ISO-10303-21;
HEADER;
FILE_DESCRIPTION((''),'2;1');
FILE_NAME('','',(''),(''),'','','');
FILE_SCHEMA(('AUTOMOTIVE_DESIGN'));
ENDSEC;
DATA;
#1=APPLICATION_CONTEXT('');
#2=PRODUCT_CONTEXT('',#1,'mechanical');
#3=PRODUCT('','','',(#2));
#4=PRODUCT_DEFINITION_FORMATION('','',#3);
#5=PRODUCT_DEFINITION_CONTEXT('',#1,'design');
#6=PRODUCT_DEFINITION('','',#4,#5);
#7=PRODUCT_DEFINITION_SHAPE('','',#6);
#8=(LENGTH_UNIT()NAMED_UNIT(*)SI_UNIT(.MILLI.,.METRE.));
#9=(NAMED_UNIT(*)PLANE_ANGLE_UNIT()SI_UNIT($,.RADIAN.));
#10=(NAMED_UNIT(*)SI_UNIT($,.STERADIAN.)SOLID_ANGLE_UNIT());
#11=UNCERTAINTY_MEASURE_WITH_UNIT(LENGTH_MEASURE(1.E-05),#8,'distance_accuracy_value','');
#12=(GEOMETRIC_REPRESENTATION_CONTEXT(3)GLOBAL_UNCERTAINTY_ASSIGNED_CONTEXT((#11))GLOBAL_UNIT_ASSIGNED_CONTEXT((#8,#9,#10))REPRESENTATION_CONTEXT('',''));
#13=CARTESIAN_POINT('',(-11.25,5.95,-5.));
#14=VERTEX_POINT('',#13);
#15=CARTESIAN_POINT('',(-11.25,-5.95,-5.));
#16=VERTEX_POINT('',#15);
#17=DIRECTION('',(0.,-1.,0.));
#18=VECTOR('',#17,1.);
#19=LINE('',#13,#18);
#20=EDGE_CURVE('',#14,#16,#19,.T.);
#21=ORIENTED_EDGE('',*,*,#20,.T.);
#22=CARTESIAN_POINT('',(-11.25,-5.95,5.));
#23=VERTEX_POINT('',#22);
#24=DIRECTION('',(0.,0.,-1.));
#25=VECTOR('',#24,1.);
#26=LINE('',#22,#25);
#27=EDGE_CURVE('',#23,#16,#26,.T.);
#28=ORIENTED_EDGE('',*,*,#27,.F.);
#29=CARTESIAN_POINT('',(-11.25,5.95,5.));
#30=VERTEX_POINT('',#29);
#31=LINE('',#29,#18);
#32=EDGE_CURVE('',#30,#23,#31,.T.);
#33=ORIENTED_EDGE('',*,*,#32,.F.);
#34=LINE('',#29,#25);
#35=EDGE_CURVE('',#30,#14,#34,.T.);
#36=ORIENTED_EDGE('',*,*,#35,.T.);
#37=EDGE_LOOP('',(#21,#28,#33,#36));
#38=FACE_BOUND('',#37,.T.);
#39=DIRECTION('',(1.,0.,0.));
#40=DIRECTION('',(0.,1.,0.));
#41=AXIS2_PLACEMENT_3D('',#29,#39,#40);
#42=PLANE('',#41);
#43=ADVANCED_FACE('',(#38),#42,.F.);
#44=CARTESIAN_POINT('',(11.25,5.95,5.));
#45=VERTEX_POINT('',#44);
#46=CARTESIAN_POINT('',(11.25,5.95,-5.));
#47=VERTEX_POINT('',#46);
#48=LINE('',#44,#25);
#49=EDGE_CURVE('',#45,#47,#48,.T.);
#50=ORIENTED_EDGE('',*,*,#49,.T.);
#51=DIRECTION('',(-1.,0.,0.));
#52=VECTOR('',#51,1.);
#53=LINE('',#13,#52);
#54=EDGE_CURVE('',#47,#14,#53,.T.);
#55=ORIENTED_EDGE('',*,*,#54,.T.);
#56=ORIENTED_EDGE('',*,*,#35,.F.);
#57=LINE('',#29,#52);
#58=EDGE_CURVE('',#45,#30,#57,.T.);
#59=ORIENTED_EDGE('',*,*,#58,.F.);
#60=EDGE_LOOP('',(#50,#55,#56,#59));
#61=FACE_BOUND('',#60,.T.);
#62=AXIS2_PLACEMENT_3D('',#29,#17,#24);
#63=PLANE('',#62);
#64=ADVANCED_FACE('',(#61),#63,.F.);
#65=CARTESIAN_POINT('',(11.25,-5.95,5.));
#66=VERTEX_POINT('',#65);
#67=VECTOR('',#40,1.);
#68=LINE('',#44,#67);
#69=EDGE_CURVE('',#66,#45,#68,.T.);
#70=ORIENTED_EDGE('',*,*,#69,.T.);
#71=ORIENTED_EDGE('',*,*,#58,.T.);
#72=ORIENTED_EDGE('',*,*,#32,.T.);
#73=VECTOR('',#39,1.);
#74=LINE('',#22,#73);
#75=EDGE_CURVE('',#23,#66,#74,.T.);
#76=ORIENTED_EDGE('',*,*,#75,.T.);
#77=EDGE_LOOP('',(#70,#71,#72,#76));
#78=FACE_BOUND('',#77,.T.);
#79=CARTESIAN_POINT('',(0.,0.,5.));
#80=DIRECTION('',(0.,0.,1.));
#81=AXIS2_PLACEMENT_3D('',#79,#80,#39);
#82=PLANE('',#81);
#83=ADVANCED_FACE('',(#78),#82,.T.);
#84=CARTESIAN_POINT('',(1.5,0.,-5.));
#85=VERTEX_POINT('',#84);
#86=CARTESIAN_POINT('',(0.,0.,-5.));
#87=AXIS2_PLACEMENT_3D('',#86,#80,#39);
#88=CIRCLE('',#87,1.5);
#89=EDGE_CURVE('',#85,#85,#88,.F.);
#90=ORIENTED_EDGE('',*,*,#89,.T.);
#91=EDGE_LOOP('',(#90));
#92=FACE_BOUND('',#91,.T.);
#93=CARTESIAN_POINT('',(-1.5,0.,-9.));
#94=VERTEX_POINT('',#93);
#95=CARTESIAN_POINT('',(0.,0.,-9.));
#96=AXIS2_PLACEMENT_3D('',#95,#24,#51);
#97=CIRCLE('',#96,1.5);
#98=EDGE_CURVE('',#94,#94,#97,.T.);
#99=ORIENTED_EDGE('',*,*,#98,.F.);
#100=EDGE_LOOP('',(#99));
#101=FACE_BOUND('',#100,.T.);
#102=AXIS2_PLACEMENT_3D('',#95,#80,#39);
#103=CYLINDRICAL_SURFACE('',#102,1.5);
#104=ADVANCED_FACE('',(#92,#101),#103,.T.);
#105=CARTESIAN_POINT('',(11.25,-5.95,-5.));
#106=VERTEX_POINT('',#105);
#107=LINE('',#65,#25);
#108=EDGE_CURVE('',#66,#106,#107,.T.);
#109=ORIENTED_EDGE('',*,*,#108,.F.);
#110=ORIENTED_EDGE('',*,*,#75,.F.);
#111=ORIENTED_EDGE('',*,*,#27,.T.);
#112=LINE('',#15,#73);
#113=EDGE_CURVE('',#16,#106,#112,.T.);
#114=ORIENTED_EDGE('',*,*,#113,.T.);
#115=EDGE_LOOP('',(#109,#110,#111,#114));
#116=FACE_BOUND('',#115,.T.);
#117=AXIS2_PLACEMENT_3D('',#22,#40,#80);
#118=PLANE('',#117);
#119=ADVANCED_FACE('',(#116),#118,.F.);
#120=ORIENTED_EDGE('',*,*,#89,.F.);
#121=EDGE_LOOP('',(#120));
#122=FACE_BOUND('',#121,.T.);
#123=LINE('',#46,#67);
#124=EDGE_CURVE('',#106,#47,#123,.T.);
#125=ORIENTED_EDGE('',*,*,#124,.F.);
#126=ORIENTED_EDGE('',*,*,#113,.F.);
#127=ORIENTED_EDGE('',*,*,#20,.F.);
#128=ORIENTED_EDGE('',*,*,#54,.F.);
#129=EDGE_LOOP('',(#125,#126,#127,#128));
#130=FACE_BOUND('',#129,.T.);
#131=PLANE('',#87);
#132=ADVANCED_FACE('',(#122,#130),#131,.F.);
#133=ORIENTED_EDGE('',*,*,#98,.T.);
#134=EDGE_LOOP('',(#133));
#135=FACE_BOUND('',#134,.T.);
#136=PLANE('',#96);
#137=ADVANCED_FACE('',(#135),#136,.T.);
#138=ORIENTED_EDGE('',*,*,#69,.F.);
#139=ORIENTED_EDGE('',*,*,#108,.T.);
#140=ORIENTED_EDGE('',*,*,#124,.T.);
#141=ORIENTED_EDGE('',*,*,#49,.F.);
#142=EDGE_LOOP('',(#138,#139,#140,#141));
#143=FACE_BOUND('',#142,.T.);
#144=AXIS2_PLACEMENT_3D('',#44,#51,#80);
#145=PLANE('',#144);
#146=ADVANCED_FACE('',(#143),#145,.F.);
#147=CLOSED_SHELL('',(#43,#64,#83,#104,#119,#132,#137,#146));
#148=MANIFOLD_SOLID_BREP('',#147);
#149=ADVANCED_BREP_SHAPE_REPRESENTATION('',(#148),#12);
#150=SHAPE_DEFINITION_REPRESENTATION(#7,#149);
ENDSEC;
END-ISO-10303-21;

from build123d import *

# Parameters (mm, degrees)
SKETCH1_W           = 22.5
SKETCH1_H           = 11.9
BOSS_EXTRUDE1_DEPTH = 5
SKETCH2_R           = 1.5
BOSS_EXTRUDE2_DEPTH = 4


with BuildPart() as part:
    # Sketch1 → Boss-Extrude1 (new body, symmetric)
    with BuildSketch(Plane.XY):
        Rectangle(SKETCH1_W, SKETCH1_H)
    extrude(amount=BOSS_EXTRUDE1_DEPTH, both=True)

    # Sketch2 → Boss-Extrude2 (add)
    with BuildSketch(Plane(origin=(0, 0, -5), x_dir=(-1, 0, 0), z_dir=(0, 0, -1))):
        Circle(SKETCH2_R)
    extrude(amount=BOSS_EXTRUDE2_DEPTH)


solid = part.part
